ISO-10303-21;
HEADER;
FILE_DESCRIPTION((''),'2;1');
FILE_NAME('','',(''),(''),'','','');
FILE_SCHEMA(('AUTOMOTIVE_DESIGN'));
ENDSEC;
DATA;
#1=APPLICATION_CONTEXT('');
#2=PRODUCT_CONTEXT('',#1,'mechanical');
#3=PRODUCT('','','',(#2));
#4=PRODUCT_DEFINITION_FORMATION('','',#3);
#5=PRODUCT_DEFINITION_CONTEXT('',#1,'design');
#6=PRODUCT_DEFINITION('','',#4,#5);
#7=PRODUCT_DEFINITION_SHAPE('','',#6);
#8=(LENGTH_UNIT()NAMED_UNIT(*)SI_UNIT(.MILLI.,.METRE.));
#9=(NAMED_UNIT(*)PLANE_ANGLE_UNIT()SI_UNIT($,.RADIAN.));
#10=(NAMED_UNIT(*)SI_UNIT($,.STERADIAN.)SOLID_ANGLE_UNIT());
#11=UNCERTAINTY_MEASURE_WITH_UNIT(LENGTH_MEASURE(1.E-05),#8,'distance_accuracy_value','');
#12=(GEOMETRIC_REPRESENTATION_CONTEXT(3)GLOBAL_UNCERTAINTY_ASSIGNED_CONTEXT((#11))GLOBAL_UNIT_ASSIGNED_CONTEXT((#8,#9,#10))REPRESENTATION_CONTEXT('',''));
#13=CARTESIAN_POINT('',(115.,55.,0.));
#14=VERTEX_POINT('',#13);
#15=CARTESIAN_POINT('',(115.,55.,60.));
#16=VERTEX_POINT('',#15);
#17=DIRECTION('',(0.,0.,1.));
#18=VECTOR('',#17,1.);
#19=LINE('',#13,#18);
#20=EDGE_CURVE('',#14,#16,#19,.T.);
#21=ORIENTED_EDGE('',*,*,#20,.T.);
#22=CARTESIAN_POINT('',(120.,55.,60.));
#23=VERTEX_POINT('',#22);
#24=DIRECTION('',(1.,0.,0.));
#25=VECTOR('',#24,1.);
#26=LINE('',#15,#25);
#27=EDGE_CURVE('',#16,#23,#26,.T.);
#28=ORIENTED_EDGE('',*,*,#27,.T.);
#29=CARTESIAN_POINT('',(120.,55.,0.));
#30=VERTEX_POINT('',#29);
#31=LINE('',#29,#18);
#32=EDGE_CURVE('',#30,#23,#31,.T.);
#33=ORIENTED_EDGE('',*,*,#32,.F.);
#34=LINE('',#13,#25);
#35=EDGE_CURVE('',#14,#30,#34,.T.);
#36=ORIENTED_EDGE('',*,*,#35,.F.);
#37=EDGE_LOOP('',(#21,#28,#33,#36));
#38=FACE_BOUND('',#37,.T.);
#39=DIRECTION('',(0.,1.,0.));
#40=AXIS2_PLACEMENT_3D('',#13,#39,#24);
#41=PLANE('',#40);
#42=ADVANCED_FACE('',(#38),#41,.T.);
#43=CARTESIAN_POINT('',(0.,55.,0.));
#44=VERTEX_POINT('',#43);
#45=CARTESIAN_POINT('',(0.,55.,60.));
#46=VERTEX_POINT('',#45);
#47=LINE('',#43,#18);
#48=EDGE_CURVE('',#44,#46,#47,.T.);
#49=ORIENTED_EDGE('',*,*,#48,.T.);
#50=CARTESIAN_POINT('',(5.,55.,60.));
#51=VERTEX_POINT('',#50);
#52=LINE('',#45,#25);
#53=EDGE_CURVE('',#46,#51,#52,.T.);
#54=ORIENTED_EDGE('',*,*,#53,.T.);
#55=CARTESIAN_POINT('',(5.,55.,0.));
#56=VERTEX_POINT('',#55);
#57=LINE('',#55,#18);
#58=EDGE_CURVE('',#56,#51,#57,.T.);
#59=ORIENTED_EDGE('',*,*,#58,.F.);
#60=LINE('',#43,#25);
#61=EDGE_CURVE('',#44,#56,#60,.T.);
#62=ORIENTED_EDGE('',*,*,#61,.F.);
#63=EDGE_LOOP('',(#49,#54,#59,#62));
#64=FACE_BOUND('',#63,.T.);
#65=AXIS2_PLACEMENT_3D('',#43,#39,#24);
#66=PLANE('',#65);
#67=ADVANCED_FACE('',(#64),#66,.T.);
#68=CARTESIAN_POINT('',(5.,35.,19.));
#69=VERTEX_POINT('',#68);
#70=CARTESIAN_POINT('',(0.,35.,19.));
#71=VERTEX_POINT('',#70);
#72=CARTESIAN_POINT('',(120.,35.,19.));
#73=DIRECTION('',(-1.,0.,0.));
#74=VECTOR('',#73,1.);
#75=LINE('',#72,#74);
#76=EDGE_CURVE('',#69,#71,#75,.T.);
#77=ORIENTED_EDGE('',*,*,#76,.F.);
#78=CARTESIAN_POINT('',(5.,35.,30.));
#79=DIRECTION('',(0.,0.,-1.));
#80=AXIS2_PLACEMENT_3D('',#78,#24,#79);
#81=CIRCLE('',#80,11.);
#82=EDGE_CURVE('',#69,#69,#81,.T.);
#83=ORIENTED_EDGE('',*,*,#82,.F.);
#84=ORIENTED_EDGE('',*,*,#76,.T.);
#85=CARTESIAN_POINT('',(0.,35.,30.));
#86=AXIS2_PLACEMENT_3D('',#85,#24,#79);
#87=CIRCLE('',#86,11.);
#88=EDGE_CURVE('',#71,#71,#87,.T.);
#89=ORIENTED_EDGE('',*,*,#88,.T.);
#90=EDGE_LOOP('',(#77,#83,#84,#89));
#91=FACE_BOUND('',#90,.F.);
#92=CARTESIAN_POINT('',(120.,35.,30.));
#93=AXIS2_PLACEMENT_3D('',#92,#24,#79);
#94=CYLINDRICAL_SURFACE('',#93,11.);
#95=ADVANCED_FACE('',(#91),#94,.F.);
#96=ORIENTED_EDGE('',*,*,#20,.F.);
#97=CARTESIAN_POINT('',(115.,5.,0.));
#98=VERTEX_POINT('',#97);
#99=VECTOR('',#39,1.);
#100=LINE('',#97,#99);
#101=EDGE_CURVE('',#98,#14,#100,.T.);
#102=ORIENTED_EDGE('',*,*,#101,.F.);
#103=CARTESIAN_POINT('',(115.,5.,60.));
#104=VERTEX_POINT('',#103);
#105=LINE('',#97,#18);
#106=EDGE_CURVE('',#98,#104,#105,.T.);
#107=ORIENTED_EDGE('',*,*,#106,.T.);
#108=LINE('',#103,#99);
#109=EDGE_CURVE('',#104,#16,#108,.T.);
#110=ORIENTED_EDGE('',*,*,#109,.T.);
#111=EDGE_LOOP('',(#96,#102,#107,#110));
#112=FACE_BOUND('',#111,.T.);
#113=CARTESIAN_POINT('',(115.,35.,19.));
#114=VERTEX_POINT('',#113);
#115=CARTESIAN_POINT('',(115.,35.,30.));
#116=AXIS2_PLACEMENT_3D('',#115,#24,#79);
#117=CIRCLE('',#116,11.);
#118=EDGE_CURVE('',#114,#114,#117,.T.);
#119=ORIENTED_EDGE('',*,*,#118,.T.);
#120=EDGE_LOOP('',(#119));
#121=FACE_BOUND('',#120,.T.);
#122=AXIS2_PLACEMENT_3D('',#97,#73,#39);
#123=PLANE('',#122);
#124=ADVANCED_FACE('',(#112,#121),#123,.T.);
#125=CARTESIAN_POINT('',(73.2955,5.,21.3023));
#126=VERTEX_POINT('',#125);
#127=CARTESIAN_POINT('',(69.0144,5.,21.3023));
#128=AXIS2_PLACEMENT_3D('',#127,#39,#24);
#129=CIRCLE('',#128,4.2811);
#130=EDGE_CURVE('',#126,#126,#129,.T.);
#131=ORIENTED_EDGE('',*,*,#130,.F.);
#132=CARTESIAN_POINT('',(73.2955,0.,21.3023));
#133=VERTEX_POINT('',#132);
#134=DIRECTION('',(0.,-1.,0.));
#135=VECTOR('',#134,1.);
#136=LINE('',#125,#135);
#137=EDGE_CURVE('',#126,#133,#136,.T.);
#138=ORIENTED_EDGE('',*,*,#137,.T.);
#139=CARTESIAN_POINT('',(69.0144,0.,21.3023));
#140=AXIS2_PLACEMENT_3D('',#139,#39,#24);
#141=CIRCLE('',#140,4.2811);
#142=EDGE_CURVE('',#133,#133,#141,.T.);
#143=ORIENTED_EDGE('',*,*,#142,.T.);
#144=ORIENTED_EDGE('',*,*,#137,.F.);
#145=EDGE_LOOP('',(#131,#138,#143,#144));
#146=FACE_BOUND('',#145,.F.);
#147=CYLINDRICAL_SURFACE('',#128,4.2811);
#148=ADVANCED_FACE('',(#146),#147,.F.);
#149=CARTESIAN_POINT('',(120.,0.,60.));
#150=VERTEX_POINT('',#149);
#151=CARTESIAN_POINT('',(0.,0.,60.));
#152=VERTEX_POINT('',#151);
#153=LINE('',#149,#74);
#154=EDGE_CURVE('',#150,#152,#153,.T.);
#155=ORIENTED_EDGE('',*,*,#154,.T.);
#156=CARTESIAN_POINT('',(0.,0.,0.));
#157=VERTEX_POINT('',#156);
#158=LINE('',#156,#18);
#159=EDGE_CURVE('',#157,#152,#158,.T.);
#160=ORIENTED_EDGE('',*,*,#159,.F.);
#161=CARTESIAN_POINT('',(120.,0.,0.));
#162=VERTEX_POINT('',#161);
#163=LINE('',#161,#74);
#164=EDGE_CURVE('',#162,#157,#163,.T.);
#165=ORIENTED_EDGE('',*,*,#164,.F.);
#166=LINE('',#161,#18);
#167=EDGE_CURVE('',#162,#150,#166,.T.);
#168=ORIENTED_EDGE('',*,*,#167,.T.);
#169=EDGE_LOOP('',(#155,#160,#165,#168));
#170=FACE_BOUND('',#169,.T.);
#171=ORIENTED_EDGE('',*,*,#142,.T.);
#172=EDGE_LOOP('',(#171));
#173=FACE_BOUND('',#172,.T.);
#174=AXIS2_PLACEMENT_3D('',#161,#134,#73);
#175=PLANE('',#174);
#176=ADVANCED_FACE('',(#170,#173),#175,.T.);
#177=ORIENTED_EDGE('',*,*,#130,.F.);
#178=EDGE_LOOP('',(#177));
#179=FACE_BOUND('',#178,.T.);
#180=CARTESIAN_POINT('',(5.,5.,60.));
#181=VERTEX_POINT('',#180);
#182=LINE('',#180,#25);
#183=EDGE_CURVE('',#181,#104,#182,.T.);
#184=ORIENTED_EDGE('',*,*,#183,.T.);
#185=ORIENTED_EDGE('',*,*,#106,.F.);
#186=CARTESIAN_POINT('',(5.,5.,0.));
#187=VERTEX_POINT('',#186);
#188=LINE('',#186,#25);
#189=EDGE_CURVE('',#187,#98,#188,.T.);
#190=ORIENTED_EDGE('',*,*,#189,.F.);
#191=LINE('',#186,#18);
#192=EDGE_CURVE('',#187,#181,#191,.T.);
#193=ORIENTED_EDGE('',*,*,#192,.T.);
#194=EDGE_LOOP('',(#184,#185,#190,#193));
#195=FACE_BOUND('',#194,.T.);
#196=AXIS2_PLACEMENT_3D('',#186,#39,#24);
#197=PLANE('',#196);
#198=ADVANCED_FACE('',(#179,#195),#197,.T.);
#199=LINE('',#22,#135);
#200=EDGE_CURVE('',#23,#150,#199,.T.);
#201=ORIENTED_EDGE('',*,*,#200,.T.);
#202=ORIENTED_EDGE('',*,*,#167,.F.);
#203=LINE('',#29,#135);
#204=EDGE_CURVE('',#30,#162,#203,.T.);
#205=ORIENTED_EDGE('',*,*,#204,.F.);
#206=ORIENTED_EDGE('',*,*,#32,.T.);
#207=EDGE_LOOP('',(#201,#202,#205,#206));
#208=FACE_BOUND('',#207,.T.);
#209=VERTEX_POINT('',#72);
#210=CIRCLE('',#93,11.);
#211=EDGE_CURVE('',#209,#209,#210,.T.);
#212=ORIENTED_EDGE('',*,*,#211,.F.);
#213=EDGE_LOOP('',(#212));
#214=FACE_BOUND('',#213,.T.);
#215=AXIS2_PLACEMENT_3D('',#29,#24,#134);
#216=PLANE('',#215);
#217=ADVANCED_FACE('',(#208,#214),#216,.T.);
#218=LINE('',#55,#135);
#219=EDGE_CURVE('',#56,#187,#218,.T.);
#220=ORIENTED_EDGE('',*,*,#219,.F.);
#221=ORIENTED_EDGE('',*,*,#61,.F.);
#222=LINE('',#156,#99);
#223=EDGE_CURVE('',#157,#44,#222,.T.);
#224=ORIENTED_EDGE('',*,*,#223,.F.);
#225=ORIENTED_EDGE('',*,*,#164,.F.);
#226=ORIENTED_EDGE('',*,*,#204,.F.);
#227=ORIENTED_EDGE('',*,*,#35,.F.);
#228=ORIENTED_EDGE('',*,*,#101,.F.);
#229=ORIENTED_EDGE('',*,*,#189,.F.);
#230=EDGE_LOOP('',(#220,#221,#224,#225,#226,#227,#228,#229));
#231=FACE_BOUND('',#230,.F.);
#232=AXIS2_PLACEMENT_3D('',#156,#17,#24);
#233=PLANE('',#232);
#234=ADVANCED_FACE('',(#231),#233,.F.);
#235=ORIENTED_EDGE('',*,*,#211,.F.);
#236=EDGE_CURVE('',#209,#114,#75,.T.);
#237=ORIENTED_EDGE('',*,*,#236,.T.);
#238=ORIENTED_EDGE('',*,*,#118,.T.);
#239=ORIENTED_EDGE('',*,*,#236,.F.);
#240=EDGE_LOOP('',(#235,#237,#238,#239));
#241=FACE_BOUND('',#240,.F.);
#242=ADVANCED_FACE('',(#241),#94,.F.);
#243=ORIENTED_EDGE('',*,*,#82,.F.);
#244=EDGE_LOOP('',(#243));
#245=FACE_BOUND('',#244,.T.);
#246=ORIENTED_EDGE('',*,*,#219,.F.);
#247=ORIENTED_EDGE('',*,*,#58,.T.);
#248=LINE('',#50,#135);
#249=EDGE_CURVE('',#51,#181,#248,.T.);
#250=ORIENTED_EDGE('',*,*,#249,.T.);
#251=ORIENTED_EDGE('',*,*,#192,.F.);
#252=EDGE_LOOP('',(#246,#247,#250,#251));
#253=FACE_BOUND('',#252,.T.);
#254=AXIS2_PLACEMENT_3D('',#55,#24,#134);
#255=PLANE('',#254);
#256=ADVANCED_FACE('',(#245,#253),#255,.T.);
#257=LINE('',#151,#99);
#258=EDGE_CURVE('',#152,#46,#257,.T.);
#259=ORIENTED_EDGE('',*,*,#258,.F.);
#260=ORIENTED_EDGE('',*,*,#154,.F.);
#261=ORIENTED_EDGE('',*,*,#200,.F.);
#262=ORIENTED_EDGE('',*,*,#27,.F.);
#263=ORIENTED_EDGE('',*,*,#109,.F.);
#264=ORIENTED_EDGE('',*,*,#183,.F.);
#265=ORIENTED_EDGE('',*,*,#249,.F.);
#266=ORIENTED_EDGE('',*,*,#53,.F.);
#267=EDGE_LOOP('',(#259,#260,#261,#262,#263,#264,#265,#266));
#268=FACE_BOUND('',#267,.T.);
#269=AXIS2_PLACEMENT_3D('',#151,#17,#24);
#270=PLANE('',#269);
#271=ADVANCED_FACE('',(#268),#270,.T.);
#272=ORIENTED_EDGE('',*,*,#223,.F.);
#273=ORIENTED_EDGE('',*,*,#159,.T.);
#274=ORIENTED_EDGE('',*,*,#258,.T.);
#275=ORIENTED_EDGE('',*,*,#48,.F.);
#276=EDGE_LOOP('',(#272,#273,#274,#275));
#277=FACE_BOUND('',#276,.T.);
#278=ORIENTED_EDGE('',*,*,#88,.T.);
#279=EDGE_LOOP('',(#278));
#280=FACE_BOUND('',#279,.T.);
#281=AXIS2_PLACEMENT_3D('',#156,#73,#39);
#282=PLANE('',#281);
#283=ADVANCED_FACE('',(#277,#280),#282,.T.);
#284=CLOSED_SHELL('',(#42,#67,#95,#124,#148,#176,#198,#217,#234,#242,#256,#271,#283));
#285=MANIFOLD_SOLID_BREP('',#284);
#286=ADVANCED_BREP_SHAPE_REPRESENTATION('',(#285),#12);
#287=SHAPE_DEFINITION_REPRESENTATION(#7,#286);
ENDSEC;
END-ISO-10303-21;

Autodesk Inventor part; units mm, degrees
ref_plane "YZ Plane" through (0, 0, 0) normal (1, 0, 0) x (0, 1, 0)
ref_plane "XZ Plane" through (0, 0, 0) normal (0, 1, 0) x (-1, 0, 0)
ref_plane "XY Plane" through (0, 0, 0) normal (0, 0, 1) x (1, 0, 0)
sketch "Sketch1" plane through (0, 0, 0) normal (0, 0, 1) x (1, 0, 0)
  line L0 (0, 0) -> (0, 55)
  line L1 (0, 55) -> (5, 55)
  line L2 (5, 55) -> (5, 5)
  line L3 (5, 5) -> (115, 5)
  line L4 (115, 5) -> (115, 55)
  line L5 (115, 55) -> (120, 55)
  line L6 (120, 55) -> (120, 0)
  line L7 (120, 0) -> (0, 0)
  dimension "d0" = 5
  dimension "d1" = 50
  dimension "d2" = 120
  dimension "d3" = 5
extrude "Extrusion1" add sketch "Sketch1" along normal blind 60
sketch "Sketch2" plane through (120, 0, 0) normal (1, 0, 0) x (0, 0, -1)
  line L0 (0, 55) -> (-60, 55) projected
  line L1 (-30, 55) -> (-30, 35) construction
  circle A0 centre (-30, 35) radius 11
  point P0 (0, 0)
  dimension "d6" = 22
  dimension "d7" = 20
extrude "Extrusion2" cut sketch "Sketch2" against normal through all
sketch "Sketch3" plane through (5, 5, 0) normal (0, 1, 0) x (1, 0, 0)
  circle A0 centre (64.0144, -21.3023) radius 4.2811
  point P0 (-5, 0)
extrude "Extrusion3" cut sketch "Sketch3" against normal through all
properties part number "CamMount"
